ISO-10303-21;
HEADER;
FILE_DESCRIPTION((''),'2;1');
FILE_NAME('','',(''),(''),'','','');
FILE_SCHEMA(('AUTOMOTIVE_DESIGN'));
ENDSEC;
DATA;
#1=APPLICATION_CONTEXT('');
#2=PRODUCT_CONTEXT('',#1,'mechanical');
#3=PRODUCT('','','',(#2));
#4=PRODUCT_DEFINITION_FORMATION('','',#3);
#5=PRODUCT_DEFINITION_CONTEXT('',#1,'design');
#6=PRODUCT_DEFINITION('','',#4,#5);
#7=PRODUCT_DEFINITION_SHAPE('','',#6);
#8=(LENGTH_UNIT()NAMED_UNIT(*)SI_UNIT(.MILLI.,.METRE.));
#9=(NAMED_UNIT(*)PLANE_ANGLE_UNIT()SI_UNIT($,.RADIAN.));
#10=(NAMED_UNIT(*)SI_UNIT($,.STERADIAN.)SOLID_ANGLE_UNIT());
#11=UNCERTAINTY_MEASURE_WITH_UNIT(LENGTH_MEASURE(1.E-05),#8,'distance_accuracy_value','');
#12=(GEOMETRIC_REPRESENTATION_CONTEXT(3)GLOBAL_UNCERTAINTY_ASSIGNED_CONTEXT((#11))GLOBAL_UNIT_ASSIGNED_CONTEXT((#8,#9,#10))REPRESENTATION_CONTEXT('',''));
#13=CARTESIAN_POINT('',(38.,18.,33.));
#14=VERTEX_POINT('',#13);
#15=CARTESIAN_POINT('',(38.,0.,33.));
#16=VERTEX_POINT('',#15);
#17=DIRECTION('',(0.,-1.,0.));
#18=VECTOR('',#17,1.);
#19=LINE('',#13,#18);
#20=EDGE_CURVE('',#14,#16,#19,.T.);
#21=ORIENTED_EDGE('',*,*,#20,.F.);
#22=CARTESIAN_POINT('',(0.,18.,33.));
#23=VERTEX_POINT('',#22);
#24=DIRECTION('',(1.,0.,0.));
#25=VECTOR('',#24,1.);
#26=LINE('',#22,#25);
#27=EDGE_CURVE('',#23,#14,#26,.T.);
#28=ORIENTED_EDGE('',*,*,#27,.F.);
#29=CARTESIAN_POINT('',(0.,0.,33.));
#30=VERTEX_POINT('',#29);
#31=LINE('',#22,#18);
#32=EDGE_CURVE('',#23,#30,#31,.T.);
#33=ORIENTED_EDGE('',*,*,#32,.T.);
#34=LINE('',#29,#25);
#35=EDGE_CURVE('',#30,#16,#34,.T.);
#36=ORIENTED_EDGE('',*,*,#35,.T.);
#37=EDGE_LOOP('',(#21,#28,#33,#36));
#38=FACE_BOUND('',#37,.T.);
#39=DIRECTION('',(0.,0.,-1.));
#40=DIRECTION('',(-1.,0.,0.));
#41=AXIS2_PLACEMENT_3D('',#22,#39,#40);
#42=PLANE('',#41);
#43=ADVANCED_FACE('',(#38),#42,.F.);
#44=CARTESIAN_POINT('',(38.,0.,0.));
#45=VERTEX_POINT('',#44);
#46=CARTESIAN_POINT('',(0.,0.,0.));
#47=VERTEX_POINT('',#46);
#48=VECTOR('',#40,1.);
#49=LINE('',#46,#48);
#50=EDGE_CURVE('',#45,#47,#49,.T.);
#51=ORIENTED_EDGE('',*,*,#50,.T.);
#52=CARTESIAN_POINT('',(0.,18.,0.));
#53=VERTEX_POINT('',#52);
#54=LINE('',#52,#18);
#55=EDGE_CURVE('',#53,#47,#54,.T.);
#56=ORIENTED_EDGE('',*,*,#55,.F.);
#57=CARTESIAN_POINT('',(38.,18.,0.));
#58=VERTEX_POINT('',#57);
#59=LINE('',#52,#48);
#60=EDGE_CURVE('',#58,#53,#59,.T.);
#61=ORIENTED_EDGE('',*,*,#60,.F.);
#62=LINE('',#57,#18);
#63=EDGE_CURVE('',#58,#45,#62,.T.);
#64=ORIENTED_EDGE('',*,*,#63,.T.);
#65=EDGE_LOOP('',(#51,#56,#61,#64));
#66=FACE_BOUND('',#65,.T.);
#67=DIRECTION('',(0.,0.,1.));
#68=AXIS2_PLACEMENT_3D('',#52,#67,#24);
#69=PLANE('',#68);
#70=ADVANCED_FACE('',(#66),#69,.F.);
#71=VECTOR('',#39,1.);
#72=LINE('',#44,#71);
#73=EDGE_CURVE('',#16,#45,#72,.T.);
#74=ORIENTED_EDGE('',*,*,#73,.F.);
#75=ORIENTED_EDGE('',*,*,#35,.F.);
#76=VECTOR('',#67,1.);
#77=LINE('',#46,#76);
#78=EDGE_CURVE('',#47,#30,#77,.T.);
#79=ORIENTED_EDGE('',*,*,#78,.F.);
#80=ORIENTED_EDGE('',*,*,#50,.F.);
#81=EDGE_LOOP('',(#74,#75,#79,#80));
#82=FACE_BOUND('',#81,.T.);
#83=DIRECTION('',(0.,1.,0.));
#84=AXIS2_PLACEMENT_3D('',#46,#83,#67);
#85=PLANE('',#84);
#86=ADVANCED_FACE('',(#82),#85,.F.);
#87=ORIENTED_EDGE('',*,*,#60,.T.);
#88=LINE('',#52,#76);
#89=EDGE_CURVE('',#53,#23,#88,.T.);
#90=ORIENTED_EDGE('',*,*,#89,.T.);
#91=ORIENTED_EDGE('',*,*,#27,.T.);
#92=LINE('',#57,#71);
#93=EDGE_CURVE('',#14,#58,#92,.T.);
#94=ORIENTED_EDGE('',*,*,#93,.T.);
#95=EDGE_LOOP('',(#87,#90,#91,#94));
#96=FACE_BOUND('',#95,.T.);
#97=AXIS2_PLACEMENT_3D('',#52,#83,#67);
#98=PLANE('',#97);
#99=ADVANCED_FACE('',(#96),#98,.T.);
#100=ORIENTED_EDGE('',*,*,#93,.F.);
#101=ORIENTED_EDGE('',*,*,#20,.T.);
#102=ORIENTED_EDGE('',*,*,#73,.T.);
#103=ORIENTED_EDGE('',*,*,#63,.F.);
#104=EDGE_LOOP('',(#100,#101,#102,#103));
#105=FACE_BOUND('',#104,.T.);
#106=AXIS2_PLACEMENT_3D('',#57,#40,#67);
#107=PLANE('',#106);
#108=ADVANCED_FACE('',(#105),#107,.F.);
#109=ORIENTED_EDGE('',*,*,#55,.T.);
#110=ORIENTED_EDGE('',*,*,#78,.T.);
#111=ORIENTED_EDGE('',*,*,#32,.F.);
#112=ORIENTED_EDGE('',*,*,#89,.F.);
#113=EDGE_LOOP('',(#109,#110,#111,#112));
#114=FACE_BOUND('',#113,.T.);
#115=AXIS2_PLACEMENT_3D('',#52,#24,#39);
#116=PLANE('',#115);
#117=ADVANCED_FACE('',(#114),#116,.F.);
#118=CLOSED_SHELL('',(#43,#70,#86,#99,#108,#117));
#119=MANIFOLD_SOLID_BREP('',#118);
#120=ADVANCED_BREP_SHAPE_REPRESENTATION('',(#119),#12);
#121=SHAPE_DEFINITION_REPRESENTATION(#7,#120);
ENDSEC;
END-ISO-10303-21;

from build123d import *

# Parameters (mm, degrees)
SKETCH_1_W      = 38
SKETCH_1_H      = 33
EXTRUDE_1_DEPTH = 18


with BuildPart() as part:
    # 草图1 → 凸台-拉伸1 (new body)
    with BuildSketch(Plane(origin=(0, 0, 0), x_dir=(1, 0, 0), z_dir=(0, 1, 0))):
        with Locations((19, -16.5)):
            Rectangle(SKETCH_1_W, SKETCH_1_H)
    extrude(amount=EXTRUDE_1_DEPTH)


solid = part.part
